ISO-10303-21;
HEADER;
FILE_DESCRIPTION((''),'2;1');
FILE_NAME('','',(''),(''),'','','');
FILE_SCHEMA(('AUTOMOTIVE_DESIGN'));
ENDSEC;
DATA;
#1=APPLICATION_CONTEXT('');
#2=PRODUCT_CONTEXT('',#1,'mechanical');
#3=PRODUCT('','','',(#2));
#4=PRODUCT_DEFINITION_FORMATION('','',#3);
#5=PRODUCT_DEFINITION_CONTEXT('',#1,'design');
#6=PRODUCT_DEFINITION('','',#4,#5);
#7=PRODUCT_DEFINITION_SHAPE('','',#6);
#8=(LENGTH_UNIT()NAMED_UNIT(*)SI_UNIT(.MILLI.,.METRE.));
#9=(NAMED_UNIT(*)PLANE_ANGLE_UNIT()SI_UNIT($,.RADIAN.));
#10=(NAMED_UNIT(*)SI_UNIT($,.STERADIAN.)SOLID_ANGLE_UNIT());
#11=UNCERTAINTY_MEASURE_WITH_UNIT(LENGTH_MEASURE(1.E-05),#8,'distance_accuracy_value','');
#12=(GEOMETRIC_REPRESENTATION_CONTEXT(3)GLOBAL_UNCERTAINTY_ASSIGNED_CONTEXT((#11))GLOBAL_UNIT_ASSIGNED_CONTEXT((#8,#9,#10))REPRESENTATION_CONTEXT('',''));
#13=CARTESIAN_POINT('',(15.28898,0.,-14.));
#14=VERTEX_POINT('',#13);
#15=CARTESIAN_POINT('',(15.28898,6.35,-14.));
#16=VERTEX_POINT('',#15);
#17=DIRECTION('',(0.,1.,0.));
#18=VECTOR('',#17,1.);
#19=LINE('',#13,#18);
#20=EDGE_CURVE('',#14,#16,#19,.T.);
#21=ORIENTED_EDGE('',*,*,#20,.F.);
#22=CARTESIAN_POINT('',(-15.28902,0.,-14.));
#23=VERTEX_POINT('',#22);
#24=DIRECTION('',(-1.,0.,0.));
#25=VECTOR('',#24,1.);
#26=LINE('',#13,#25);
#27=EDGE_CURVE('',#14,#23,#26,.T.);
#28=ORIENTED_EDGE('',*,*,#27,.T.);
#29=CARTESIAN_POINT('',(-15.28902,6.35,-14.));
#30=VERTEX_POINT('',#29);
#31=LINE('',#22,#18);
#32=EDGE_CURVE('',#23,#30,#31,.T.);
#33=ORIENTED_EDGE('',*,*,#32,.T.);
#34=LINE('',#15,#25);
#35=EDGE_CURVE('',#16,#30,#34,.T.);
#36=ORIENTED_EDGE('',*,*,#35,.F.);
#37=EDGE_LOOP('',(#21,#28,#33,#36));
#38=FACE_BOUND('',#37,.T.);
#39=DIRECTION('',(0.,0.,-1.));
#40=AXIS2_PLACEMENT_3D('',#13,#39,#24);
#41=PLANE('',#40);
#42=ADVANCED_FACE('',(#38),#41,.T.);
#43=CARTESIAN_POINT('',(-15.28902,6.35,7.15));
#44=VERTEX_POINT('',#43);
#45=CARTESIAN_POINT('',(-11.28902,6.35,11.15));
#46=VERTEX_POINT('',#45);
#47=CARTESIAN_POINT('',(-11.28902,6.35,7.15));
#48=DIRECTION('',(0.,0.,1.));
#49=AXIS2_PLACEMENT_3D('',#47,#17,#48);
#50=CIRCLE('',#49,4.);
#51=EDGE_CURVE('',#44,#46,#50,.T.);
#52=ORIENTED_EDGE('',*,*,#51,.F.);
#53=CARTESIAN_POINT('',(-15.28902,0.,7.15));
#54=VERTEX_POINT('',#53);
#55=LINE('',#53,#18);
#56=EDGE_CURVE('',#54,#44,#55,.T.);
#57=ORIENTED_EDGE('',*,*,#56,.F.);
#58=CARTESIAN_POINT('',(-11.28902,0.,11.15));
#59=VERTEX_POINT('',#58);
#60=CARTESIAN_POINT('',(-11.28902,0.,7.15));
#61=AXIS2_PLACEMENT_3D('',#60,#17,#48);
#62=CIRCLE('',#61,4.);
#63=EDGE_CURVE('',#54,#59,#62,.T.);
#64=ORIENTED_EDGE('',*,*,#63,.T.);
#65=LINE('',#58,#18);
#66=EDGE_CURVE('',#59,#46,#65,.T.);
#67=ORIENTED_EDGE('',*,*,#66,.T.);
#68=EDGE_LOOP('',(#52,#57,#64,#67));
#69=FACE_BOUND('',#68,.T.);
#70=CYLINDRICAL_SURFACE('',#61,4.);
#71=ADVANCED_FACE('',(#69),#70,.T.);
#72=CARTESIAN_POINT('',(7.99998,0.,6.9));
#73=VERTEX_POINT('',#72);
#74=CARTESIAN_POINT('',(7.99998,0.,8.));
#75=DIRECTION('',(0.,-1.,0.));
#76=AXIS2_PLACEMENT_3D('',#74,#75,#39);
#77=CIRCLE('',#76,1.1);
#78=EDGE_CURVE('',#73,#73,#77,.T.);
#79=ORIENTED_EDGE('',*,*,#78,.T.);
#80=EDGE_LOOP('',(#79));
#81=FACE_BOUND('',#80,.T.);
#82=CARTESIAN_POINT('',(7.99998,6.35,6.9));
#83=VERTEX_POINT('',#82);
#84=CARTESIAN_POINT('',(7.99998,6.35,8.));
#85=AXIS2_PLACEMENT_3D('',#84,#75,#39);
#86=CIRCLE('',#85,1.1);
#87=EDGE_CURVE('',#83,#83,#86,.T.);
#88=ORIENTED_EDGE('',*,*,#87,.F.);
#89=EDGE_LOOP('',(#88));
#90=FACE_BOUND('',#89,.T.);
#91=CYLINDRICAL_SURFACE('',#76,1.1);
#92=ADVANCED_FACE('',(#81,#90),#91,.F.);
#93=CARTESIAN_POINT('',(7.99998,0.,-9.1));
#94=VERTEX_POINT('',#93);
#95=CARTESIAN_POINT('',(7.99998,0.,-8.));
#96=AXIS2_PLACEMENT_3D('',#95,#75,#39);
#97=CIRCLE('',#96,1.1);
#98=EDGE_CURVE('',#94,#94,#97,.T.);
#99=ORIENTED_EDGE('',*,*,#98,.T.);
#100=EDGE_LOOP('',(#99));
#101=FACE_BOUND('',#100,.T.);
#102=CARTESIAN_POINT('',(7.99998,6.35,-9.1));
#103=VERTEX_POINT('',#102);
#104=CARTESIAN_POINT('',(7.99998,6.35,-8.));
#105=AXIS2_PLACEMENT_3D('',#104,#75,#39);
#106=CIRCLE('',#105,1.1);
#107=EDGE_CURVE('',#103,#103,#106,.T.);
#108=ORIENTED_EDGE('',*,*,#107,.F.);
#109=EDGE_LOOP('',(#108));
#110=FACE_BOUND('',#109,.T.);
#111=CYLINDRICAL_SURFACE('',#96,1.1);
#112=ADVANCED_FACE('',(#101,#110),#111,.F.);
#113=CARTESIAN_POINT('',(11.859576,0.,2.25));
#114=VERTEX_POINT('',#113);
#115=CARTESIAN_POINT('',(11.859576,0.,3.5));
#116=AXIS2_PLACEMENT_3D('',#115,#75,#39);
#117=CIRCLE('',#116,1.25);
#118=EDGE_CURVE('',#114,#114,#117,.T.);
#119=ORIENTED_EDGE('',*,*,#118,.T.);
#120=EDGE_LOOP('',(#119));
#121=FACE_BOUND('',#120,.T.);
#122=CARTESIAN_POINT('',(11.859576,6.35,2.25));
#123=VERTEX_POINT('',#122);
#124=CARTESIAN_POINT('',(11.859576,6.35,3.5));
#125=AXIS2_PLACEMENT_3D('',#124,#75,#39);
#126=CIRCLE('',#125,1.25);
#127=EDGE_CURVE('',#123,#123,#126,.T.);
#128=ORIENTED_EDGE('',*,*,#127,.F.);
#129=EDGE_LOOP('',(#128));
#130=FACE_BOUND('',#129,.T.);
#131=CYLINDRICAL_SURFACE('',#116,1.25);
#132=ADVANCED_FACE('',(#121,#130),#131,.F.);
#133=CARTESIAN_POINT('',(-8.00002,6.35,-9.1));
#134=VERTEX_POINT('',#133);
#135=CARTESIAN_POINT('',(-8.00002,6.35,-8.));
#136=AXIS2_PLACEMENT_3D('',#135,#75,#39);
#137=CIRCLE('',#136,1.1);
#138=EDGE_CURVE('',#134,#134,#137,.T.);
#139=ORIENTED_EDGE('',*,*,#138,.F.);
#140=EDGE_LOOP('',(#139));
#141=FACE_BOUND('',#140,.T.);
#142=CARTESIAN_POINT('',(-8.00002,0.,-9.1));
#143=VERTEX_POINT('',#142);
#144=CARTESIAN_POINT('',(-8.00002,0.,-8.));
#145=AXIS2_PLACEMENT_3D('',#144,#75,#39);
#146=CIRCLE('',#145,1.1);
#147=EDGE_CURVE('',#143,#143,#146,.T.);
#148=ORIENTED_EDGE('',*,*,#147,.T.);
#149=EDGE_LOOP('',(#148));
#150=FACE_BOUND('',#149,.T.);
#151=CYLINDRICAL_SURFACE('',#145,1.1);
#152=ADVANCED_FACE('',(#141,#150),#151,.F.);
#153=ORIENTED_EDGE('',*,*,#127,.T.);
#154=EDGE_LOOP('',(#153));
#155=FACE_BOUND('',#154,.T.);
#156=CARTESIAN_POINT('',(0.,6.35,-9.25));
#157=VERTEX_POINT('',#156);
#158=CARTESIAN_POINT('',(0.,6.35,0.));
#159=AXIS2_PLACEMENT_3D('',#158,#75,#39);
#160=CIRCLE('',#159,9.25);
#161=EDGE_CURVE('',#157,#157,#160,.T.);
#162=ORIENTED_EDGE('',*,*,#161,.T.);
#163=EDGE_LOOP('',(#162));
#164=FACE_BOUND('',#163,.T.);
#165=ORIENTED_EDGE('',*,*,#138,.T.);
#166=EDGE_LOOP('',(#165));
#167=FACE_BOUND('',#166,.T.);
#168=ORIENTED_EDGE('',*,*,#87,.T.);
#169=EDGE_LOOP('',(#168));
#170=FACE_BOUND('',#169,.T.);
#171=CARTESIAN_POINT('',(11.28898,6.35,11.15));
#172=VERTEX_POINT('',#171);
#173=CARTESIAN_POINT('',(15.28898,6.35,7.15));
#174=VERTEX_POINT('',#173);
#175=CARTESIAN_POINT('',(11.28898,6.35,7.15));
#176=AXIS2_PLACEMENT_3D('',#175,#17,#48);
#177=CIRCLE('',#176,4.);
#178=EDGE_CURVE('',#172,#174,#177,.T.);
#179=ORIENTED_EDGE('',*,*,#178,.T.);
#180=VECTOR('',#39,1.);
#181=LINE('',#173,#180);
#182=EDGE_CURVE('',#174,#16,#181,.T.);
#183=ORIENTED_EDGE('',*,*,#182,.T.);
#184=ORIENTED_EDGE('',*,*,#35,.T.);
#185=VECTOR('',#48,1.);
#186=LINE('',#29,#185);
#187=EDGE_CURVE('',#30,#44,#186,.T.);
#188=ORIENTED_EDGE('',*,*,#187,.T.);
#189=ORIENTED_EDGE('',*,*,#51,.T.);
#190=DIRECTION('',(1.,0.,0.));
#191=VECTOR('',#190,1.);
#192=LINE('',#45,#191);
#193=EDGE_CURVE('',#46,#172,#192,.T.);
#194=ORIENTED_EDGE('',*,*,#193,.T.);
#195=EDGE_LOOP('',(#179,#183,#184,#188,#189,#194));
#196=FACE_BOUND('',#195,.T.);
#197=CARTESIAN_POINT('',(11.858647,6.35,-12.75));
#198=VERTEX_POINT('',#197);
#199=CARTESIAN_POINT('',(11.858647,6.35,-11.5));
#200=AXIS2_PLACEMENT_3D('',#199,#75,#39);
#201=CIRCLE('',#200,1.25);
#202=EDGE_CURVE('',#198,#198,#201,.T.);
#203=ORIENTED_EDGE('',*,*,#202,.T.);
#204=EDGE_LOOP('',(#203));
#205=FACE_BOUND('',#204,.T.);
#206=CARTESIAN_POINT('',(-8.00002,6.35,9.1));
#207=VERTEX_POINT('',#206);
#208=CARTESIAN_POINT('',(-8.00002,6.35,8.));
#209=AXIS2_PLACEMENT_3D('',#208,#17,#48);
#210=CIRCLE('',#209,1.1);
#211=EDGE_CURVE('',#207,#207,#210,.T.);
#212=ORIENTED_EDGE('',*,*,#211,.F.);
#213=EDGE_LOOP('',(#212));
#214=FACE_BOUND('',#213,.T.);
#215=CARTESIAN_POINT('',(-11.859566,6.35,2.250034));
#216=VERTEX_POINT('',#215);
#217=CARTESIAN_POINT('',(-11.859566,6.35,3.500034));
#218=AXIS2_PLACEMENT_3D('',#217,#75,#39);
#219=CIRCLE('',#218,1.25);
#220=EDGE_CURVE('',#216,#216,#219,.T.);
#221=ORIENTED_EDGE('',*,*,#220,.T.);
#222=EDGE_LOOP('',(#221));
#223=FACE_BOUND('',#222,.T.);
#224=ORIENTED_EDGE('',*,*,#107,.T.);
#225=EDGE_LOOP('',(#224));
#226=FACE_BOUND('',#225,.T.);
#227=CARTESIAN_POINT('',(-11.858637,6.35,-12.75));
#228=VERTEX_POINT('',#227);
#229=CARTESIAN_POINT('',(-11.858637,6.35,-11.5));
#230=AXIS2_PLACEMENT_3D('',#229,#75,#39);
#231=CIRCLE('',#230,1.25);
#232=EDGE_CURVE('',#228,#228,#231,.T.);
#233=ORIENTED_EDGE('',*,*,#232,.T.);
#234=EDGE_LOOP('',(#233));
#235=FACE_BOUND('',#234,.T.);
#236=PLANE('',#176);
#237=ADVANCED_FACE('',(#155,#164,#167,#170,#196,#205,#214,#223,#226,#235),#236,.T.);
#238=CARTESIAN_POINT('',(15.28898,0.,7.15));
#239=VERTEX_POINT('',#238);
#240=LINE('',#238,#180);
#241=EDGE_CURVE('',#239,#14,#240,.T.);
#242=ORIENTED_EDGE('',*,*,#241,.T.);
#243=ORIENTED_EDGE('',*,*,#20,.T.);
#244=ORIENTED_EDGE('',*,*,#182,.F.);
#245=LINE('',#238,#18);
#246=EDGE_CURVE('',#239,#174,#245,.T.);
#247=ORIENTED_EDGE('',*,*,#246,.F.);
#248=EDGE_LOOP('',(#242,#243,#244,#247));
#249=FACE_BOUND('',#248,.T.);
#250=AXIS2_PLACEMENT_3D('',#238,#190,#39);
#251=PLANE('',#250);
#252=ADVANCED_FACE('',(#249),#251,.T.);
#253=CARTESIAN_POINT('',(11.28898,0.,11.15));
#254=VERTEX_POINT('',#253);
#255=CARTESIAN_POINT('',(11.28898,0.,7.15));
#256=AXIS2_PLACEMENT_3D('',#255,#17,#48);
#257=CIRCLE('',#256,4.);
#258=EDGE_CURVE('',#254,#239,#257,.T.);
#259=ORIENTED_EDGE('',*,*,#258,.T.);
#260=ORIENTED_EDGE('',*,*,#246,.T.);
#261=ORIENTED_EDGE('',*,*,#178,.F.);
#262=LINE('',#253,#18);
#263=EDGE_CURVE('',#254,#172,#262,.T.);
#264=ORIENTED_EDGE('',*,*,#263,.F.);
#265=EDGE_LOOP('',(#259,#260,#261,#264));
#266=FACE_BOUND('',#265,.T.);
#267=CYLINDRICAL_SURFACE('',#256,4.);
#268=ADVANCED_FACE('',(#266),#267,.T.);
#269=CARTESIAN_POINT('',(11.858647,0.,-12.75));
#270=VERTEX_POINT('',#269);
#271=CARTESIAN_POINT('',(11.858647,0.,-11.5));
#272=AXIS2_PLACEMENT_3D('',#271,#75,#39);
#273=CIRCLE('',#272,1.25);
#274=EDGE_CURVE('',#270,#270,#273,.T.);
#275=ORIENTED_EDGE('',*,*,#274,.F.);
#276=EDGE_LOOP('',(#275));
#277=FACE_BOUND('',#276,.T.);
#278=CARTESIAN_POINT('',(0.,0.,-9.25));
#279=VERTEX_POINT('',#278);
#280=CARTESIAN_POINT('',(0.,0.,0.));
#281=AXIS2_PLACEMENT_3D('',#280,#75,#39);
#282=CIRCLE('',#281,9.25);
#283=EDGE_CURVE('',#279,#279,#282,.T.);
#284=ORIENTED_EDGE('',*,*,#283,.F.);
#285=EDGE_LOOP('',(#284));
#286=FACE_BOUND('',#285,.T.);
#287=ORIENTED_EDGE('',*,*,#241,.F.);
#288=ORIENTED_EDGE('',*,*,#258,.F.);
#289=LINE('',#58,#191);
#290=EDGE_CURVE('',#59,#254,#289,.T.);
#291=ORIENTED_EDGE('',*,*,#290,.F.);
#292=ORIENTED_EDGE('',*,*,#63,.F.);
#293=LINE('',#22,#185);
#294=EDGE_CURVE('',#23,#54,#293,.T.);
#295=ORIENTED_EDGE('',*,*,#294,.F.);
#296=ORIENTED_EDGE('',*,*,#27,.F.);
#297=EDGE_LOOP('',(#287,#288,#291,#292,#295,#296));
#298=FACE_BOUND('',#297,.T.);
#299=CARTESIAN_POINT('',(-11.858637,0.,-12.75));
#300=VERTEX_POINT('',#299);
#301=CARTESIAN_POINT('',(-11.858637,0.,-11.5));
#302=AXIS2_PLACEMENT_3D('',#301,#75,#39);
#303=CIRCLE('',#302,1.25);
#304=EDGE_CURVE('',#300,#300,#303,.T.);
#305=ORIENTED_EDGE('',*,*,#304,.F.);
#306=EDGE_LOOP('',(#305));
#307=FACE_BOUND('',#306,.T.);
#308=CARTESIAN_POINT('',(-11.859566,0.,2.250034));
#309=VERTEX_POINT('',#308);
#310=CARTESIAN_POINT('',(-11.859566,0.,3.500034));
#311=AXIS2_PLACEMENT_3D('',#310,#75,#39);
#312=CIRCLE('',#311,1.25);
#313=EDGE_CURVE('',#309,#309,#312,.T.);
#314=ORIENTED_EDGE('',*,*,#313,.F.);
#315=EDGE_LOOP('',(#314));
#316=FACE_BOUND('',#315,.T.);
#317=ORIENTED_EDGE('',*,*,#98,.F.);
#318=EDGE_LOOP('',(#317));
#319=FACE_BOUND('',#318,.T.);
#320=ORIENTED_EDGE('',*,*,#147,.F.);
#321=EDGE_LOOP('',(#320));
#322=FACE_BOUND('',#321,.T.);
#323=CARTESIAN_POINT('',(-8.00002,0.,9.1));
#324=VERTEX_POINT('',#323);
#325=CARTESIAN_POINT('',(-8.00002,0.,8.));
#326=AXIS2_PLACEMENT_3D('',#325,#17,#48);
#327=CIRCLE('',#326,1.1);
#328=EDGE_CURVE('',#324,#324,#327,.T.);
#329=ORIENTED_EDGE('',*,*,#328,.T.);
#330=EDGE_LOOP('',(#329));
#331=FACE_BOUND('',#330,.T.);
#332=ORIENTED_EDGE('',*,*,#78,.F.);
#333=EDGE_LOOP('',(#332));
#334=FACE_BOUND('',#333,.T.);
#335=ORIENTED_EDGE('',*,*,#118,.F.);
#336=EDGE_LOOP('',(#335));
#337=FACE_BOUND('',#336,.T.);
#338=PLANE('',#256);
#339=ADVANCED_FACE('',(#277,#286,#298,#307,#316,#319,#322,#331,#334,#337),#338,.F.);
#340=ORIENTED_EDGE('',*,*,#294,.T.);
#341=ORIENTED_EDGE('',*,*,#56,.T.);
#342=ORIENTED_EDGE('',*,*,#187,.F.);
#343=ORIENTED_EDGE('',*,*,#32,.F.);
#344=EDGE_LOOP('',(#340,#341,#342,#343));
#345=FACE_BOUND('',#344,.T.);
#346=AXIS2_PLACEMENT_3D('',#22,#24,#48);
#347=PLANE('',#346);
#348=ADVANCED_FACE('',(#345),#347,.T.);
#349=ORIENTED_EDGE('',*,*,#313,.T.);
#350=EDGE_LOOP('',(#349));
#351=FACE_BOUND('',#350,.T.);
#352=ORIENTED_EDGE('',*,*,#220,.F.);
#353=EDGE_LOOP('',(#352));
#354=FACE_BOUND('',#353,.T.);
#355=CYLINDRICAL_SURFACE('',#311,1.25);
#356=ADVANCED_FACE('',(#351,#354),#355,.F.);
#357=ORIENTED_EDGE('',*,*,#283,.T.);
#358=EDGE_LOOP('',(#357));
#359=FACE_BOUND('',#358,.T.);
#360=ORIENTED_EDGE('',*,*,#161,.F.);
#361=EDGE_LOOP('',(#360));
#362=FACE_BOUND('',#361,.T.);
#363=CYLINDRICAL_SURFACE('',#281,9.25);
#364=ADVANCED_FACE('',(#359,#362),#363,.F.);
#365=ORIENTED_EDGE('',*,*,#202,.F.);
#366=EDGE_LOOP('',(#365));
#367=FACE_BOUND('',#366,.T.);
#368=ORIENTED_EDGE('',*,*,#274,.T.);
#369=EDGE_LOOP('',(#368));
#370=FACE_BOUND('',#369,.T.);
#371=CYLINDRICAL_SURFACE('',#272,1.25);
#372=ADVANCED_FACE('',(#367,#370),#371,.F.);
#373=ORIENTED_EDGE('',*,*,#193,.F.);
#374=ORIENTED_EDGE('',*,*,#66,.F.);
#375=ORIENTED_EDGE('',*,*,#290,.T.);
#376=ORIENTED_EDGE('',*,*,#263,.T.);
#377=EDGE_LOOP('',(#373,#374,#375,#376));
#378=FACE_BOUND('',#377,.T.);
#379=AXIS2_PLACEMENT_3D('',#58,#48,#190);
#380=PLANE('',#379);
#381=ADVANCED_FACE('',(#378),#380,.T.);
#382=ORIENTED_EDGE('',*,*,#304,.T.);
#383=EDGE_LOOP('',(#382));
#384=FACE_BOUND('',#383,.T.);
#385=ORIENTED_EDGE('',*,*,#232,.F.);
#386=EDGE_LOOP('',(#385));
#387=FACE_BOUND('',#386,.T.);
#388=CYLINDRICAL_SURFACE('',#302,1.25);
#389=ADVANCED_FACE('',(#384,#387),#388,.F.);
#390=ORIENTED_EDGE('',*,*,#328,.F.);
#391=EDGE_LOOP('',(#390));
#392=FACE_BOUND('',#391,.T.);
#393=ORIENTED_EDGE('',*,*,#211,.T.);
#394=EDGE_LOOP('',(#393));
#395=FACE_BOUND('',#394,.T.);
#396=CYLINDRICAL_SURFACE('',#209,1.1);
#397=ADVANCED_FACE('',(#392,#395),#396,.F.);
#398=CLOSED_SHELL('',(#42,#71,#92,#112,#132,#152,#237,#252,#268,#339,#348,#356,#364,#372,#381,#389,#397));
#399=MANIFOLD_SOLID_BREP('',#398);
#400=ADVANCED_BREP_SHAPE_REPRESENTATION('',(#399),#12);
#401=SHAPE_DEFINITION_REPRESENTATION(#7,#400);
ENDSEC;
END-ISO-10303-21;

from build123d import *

# Parameters (mm, degrees)
BOSS_EXTRUDE1_DEPTH              = 6.35
F_2_2_2_2_DIAMETER_HOLE1_D       = 2.2
F_2_2_2_2_DIAMETER_HOLE1_DEPTH   = 6.35
F_2_2_2_2_DIAMETER_HOLE2_D       = 2.2
F_2_2_2_2_DIAMETER_HOLE2_DEPTH   = 6.35
F_2_2_2_2_DIAMETER_HOLE3_D       = 2.2
F_2_2_2_2_DIAMETER_HOLE3_DEPTH   = 6.35
F_2_2_2_2_DIAMETER_HOLE4_D       = 2.2
F_2_2_2_2_DIAMETER_HOLE4_DEPTH   = 6.35
F_18_5_18_5_DIAMETER_HOLE1_D     = 18.5
F_18_5_18_5_DIAMETER_HOLE1_DEPTH = 6.35
M3_TAPPED_HOLE1_D                = 2.5
M3_TAPPED_HOLE2_D                = 2.5
M3_TAPPED_HOLE3_D                = 2.5
M3_TAPPED_HOLE4_D                = 2.5


with BuildPart() as part:
    # Sketch1 → Boss-Extrude1 (new body)
    with BuildSketch(Plane(origin=(0, 6.35, 0), x_dir=(1, 0, 0), z_dir=(0, 1, 0))):
        with BuildLine():
            Line((15.288980095, -7.15), (15.288980095, 14))
            Line((15.288980095, 14), (-15.289019905, 14))
            Line((-15.289019905, 14), (-15.289019905, -7.15))
            ThreePointArc((-15.289019905, -7.15), (-14.11744703, -9.978427125), (-11.289019905, -11.15))
            Line((-11.289019905, -11.15), (11.288980095, -11.15))
            ThreePointArc((11.288980095, -11.15), (14.11740722, -9.978427125), (15.288980095, -7.15))
        make_face()
    extrude(amount=-BOSS_EXTRUDE1_DEPTH)

    # Ø2.2 (2.2) Diameter Hole1
    with Locations(Plane(origin=(0, 0, 0), x_dir=(-1, 0, 0), z_dir=(0, -1, 0))):
        with Locations((-7.999980095, -8)):
            Hole(F_2_2_2_2_DIAMETER_HOLE1_D / 2, depth=F_2_2_2_2_DIAMETER_HOLE1_DEPTH)

    # Ø2.2 (2.2) Diameter Hole2
    with Locations(Plane(origin=(0, 0, 0), x_dir=(-1, 0, 0), z_dir=(0, -1, 0))):
        with Locations((8.000019905, 8)):
            Hole(F_2_2_2_2_DIAMETER_HOLE2_D / 2, depth=F_2_2_2_2_DIAMETER_HOLE2_DEPTH)

    # Ø2.2 (2.2) Diameter Hole3
    with Locations(Plane(origin=(0, 0, 0), x_dir=(-1, 0, 0), z_dir=(0, -1, 0))):
        with Locations((-7.999980095, 8)):
            Hole(F_2_2_2_2_DIAMETER_HOLE3_D / 2, depth=F_2_2_2_2_DIAMETER_HOLE3_DEPTH)

    # Ø2.2 (2.2) Diameter Hole4
    with Locations(Plane(origin=(0, 6.35, 0), x_dir=(1, 0, 0), z_dir=(0, 1, 0))):
        with Locations((-8.000019905, -8)):
            Hole(F_2_2_2_2_DIAMETER_HOLE4_D / 2, depth=F_2_2_2_2_DIAMETER_HOLE4_DEPTH)

    # Ø18.5 (18.5) Diameter Hole1
    with Locations(Plane(origin=(0, 0, 0), x_dir=(-1, 0, 0), z_dir=(0, -1, 0))):
        with Locations((0, 0)):
            Hole(F_18_5_18_5_DIAMETER_HOLE1_D / 2, depth=F_18_5_18_5_DIAMETER_HOLE1_DEPTH)

    # M3 Tapped Hole1 (through all)
    with Locations(Plane(origin=(0, 0, 0), x_dir=(-1, 0, 0), z_dir=(0, -1, 0))):
        with Locations((11.858637076, 11.5)):
            Hole(M3_TAPPED_HOLE1_D / 2)

    # M3 Tapped Hole2 (through all)
    with Locations(Plane(origin=(0, 0, 0), x_dir=(-1, 0, 0), z_dir=(0, -1, 0))):
        with Locations((11.85956559, -3.500033723)):
            Hole(M3_TAPPED_HOLE2_D / 2)

    # M3 Tapped Hole3 (through all)
    with Locations(Plane(origin=(0, 0, 0), x_dir=(-1, 0, 0), z_dir=(0, -1, 0))):
        with Locations((-11.858647005, 11.5)):
            Hole(M3_TAPPED_HOLE3_D / 2)

    # M3 Tapped Hole4 (through all)
    with Locations(Plane(origin=(0, 0, 0), x_dir=(-1, 0, 0), z_dir=(0, -1, 0))):
        with Locations((-11.859575542, -3.5)):
            Hole(M3_TAPPED_HOLE4_D / 2)


solid = part.part
